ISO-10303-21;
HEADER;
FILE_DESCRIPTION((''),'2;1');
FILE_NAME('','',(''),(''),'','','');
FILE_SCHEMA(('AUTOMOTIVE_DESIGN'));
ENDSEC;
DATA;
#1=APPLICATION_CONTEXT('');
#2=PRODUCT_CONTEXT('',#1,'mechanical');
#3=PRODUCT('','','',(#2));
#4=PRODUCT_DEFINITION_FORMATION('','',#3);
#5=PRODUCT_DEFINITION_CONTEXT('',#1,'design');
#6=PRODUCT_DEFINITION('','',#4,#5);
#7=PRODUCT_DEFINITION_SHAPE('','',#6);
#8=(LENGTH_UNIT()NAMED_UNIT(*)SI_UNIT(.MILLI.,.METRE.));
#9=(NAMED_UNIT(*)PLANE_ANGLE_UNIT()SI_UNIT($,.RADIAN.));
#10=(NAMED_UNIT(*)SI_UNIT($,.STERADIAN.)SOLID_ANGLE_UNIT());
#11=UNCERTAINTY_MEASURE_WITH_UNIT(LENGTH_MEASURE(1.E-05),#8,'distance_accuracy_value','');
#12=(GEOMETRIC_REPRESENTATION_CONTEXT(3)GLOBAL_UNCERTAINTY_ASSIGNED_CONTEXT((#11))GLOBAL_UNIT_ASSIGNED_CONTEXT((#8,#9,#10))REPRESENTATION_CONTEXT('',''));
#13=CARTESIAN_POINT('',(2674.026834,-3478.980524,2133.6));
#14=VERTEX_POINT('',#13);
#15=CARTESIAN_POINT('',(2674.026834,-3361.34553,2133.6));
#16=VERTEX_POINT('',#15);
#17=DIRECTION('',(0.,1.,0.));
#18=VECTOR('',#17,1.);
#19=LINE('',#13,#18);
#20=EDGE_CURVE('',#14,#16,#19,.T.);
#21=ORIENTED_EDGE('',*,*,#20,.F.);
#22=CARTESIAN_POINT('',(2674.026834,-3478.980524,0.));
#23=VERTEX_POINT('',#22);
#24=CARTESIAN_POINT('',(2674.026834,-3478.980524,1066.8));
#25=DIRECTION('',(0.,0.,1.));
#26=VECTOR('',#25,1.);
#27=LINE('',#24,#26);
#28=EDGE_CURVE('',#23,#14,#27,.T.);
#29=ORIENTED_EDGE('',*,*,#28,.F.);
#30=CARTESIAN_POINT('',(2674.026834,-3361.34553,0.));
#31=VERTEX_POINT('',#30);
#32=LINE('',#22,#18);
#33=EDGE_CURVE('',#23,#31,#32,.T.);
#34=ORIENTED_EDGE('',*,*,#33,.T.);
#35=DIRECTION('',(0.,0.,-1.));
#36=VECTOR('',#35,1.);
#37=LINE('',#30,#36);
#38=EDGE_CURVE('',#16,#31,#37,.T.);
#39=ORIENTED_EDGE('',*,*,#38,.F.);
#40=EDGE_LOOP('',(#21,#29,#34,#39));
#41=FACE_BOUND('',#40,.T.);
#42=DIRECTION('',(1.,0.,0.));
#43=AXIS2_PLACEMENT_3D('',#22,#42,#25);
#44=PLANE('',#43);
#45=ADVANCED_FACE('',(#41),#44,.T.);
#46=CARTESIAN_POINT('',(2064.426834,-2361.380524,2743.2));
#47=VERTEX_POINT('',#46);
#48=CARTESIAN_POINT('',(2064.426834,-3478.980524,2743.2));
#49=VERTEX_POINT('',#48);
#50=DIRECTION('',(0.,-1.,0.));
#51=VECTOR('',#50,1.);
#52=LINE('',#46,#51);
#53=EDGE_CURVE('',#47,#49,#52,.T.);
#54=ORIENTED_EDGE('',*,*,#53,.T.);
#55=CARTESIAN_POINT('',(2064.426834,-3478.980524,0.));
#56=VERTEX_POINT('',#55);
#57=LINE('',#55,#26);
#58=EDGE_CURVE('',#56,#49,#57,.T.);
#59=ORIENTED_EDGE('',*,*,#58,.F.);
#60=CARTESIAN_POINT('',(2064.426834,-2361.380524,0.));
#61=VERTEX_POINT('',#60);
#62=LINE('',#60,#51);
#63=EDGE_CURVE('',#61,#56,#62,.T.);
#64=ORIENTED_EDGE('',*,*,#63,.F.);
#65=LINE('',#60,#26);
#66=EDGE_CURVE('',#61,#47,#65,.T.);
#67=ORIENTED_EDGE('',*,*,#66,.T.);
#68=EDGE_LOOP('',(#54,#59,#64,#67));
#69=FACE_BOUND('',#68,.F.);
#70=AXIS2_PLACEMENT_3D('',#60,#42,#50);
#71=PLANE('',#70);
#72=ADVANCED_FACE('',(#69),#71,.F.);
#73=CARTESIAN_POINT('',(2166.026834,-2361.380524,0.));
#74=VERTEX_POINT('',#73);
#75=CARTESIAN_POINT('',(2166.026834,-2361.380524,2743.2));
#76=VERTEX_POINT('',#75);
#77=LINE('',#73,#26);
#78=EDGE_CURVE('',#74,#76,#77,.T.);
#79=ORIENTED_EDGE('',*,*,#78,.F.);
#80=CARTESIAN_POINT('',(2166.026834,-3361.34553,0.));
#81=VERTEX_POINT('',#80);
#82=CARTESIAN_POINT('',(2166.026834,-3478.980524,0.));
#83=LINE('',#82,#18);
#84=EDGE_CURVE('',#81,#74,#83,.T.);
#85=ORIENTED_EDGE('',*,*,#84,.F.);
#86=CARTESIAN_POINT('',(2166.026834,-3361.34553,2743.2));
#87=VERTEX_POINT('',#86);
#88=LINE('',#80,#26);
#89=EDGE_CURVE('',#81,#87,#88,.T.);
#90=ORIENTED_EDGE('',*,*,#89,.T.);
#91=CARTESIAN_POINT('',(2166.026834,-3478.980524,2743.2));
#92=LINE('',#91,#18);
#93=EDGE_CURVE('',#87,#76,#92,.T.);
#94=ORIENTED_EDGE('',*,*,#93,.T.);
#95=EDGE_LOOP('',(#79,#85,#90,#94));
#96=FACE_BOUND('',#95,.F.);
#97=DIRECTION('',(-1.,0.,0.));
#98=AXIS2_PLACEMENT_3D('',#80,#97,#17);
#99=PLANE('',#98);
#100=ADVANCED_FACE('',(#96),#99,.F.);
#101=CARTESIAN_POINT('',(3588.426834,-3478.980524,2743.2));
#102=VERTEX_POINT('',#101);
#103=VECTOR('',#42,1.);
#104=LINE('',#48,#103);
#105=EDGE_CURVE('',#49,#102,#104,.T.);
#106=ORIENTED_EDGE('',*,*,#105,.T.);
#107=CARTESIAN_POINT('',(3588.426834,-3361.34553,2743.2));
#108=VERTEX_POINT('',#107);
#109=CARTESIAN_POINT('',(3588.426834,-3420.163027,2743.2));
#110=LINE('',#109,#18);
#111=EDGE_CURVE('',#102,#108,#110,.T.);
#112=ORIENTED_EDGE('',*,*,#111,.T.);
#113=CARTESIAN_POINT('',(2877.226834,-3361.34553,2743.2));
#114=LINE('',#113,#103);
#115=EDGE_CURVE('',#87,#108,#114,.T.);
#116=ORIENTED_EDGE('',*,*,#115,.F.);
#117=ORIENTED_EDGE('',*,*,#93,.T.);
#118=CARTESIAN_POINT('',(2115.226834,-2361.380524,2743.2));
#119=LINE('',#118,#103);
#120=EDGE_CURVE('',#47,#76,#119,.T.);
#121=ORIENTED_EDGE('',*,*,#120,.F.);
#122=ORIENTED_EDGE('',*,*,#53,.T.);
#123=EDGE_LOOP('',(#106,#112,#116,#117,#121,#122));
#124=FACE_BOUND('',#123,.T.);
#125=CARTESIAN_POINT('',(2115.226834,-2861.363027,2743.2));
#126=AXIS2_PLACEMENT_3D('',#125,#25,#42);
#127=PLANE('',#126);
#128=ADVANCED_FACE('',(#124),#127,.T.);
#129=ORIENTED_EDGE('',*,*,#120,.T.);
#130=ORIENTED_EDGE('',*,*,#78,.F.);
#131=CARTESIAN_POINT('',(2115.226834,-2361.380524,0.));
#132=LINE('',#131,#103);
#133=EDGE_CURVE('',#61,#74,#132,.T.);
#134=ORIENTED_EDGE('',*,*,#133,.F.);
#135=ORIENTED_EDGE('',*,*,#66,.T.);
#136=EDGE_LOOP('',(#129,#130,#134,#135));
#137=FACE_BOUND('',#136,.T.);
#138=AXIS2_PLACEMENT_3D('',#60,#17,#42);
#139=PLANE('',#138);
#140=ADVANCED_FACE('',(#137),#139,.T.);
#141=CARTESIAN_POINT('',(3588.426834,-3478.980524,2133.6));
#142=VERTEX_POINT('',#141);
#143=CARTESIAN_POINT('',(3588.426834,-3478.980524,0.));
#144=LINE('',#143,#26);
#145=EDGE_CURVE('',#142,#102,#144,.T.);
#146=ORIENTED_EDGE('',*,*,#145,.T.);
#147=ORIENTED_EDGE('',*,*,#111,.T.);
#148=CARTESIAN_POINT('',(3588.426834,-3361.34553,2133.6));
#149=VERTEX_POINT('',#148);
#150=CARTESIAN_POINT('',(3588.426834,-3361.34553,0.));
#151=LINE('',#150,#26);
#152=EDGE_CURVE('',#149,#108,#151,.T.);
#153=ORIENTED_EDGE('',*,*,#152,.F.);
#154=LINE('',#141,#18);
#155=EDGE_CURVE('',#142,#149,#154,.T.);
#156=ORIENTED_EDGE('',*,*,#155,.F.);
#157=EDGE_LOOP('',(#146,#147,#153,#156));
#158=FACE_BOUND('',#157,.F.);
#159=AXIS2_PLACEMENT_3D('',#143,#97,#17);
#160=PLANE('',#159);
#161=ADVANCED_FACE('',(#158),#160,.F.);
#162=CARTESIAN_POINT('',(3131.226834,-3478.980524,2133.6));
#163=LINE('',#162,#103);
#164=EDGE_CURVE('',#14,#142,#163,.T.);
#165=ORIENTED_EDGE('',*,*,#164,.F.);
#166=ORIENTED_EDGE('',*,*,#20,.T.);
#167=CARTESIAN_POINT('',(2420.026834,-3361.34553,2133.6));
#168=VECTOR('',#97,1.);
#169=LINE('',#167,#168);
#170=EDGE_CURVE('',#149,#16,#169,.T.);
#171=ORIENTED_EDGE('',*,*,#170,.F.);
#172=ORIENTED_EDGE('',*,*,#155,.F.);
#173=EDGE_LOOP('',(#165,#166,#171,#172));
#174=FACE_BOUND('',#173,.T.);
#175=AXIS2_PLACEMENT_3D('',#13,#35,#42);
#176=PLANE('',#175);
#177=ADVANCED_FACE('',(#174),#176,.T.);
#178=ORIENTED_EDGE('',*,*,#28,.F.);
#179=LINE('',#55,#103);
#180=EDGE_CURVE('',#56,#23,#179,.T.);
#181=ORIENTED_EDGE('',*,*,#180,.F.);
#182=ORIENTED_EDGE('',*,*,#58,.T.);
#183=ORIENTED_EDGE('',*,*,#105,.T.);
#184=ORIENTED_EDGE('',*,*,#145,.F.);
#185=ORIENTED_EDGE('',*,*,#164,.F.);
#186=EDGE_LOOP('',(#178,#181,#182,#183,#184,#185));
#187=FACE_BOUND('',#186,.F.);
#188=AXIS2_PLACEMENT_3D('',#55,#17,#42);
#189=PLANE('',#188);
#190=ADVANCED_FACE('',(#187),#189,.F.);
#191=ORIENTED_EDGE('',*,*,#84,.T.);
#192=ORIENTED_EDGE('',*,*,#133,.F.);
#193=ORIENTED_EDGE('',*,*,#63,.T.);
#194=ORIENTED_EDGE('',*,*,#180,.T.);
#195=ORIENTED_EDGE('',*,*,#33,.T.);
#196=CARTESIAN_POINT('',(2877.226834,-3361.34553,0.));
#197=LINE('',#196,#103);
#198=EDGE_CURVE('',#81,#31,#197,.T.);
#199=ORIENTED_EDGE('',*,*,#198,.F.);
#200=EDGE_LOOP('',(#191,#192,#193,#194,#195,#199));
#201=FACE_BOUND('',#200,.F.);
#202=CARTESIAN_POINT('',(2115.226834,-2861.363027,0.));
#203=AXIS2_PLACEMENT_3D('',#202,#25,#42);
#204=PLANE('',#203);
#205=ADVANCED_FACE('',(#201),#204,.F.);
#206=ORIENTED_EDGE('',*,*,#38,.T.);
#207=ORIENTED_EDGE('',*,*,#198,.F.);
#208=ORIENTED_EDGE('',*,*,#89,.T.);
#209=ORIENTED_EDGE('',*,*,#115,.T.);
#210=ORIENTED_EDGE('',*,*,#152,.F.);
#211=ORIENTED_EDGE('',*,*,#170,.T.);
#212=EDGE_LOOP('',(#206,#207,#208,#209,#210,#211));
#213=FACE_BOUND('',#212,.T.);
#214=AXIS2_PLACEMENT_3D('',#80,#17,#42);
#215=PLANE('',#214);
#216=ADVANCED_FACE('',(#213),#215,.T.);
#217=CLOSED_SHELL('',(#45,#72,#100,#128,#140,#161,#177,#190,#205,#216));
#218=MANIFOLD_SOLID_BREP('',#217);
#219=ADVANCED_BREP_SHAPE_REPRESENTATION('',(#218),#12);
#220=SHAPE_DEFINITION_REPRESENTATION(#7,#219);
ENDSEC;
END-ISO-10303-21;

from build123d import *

# Parameters (mm, degrees)
F0_W     = 101.6
F0_H     = 999.965006
F0_H_2   = 117.634994
F0_W_2   = 1422.4
F1_DEPTH = 2743.2
F2_W     = 914.4
F2_H     = 2133.6
F3_DEPTH = 1117.601


with BuildPart() as f1:
    # F0 (on Top) → F1 (new body)
    with BuildSketch(Plane.XY):
        with Locations((2115.226834, -2861.363027)):
            Rectangle(F0_W, F0_H)
        with Locations((2115.226834, -3420.163027)):
            Rectangle(F0_W, F0_H_2)
        with Locations((2877.226834, -3420.163027)):
            Rectangle(F0_W_2, F0_H_2)
    extrude(amount=F1_DEPTH)

    # F2 (on face) → F3 (cut, through all)
    with BuildSketch(Plane.XZ.offset(3478.980524)):
        with Locations((3131.226834, 1066.8)):
            Rectangle(F2_W, F2_H)
    extrude(amount=-F3_DEPTH, mode=Mode.SUBTRACT)


solid = f1.part
